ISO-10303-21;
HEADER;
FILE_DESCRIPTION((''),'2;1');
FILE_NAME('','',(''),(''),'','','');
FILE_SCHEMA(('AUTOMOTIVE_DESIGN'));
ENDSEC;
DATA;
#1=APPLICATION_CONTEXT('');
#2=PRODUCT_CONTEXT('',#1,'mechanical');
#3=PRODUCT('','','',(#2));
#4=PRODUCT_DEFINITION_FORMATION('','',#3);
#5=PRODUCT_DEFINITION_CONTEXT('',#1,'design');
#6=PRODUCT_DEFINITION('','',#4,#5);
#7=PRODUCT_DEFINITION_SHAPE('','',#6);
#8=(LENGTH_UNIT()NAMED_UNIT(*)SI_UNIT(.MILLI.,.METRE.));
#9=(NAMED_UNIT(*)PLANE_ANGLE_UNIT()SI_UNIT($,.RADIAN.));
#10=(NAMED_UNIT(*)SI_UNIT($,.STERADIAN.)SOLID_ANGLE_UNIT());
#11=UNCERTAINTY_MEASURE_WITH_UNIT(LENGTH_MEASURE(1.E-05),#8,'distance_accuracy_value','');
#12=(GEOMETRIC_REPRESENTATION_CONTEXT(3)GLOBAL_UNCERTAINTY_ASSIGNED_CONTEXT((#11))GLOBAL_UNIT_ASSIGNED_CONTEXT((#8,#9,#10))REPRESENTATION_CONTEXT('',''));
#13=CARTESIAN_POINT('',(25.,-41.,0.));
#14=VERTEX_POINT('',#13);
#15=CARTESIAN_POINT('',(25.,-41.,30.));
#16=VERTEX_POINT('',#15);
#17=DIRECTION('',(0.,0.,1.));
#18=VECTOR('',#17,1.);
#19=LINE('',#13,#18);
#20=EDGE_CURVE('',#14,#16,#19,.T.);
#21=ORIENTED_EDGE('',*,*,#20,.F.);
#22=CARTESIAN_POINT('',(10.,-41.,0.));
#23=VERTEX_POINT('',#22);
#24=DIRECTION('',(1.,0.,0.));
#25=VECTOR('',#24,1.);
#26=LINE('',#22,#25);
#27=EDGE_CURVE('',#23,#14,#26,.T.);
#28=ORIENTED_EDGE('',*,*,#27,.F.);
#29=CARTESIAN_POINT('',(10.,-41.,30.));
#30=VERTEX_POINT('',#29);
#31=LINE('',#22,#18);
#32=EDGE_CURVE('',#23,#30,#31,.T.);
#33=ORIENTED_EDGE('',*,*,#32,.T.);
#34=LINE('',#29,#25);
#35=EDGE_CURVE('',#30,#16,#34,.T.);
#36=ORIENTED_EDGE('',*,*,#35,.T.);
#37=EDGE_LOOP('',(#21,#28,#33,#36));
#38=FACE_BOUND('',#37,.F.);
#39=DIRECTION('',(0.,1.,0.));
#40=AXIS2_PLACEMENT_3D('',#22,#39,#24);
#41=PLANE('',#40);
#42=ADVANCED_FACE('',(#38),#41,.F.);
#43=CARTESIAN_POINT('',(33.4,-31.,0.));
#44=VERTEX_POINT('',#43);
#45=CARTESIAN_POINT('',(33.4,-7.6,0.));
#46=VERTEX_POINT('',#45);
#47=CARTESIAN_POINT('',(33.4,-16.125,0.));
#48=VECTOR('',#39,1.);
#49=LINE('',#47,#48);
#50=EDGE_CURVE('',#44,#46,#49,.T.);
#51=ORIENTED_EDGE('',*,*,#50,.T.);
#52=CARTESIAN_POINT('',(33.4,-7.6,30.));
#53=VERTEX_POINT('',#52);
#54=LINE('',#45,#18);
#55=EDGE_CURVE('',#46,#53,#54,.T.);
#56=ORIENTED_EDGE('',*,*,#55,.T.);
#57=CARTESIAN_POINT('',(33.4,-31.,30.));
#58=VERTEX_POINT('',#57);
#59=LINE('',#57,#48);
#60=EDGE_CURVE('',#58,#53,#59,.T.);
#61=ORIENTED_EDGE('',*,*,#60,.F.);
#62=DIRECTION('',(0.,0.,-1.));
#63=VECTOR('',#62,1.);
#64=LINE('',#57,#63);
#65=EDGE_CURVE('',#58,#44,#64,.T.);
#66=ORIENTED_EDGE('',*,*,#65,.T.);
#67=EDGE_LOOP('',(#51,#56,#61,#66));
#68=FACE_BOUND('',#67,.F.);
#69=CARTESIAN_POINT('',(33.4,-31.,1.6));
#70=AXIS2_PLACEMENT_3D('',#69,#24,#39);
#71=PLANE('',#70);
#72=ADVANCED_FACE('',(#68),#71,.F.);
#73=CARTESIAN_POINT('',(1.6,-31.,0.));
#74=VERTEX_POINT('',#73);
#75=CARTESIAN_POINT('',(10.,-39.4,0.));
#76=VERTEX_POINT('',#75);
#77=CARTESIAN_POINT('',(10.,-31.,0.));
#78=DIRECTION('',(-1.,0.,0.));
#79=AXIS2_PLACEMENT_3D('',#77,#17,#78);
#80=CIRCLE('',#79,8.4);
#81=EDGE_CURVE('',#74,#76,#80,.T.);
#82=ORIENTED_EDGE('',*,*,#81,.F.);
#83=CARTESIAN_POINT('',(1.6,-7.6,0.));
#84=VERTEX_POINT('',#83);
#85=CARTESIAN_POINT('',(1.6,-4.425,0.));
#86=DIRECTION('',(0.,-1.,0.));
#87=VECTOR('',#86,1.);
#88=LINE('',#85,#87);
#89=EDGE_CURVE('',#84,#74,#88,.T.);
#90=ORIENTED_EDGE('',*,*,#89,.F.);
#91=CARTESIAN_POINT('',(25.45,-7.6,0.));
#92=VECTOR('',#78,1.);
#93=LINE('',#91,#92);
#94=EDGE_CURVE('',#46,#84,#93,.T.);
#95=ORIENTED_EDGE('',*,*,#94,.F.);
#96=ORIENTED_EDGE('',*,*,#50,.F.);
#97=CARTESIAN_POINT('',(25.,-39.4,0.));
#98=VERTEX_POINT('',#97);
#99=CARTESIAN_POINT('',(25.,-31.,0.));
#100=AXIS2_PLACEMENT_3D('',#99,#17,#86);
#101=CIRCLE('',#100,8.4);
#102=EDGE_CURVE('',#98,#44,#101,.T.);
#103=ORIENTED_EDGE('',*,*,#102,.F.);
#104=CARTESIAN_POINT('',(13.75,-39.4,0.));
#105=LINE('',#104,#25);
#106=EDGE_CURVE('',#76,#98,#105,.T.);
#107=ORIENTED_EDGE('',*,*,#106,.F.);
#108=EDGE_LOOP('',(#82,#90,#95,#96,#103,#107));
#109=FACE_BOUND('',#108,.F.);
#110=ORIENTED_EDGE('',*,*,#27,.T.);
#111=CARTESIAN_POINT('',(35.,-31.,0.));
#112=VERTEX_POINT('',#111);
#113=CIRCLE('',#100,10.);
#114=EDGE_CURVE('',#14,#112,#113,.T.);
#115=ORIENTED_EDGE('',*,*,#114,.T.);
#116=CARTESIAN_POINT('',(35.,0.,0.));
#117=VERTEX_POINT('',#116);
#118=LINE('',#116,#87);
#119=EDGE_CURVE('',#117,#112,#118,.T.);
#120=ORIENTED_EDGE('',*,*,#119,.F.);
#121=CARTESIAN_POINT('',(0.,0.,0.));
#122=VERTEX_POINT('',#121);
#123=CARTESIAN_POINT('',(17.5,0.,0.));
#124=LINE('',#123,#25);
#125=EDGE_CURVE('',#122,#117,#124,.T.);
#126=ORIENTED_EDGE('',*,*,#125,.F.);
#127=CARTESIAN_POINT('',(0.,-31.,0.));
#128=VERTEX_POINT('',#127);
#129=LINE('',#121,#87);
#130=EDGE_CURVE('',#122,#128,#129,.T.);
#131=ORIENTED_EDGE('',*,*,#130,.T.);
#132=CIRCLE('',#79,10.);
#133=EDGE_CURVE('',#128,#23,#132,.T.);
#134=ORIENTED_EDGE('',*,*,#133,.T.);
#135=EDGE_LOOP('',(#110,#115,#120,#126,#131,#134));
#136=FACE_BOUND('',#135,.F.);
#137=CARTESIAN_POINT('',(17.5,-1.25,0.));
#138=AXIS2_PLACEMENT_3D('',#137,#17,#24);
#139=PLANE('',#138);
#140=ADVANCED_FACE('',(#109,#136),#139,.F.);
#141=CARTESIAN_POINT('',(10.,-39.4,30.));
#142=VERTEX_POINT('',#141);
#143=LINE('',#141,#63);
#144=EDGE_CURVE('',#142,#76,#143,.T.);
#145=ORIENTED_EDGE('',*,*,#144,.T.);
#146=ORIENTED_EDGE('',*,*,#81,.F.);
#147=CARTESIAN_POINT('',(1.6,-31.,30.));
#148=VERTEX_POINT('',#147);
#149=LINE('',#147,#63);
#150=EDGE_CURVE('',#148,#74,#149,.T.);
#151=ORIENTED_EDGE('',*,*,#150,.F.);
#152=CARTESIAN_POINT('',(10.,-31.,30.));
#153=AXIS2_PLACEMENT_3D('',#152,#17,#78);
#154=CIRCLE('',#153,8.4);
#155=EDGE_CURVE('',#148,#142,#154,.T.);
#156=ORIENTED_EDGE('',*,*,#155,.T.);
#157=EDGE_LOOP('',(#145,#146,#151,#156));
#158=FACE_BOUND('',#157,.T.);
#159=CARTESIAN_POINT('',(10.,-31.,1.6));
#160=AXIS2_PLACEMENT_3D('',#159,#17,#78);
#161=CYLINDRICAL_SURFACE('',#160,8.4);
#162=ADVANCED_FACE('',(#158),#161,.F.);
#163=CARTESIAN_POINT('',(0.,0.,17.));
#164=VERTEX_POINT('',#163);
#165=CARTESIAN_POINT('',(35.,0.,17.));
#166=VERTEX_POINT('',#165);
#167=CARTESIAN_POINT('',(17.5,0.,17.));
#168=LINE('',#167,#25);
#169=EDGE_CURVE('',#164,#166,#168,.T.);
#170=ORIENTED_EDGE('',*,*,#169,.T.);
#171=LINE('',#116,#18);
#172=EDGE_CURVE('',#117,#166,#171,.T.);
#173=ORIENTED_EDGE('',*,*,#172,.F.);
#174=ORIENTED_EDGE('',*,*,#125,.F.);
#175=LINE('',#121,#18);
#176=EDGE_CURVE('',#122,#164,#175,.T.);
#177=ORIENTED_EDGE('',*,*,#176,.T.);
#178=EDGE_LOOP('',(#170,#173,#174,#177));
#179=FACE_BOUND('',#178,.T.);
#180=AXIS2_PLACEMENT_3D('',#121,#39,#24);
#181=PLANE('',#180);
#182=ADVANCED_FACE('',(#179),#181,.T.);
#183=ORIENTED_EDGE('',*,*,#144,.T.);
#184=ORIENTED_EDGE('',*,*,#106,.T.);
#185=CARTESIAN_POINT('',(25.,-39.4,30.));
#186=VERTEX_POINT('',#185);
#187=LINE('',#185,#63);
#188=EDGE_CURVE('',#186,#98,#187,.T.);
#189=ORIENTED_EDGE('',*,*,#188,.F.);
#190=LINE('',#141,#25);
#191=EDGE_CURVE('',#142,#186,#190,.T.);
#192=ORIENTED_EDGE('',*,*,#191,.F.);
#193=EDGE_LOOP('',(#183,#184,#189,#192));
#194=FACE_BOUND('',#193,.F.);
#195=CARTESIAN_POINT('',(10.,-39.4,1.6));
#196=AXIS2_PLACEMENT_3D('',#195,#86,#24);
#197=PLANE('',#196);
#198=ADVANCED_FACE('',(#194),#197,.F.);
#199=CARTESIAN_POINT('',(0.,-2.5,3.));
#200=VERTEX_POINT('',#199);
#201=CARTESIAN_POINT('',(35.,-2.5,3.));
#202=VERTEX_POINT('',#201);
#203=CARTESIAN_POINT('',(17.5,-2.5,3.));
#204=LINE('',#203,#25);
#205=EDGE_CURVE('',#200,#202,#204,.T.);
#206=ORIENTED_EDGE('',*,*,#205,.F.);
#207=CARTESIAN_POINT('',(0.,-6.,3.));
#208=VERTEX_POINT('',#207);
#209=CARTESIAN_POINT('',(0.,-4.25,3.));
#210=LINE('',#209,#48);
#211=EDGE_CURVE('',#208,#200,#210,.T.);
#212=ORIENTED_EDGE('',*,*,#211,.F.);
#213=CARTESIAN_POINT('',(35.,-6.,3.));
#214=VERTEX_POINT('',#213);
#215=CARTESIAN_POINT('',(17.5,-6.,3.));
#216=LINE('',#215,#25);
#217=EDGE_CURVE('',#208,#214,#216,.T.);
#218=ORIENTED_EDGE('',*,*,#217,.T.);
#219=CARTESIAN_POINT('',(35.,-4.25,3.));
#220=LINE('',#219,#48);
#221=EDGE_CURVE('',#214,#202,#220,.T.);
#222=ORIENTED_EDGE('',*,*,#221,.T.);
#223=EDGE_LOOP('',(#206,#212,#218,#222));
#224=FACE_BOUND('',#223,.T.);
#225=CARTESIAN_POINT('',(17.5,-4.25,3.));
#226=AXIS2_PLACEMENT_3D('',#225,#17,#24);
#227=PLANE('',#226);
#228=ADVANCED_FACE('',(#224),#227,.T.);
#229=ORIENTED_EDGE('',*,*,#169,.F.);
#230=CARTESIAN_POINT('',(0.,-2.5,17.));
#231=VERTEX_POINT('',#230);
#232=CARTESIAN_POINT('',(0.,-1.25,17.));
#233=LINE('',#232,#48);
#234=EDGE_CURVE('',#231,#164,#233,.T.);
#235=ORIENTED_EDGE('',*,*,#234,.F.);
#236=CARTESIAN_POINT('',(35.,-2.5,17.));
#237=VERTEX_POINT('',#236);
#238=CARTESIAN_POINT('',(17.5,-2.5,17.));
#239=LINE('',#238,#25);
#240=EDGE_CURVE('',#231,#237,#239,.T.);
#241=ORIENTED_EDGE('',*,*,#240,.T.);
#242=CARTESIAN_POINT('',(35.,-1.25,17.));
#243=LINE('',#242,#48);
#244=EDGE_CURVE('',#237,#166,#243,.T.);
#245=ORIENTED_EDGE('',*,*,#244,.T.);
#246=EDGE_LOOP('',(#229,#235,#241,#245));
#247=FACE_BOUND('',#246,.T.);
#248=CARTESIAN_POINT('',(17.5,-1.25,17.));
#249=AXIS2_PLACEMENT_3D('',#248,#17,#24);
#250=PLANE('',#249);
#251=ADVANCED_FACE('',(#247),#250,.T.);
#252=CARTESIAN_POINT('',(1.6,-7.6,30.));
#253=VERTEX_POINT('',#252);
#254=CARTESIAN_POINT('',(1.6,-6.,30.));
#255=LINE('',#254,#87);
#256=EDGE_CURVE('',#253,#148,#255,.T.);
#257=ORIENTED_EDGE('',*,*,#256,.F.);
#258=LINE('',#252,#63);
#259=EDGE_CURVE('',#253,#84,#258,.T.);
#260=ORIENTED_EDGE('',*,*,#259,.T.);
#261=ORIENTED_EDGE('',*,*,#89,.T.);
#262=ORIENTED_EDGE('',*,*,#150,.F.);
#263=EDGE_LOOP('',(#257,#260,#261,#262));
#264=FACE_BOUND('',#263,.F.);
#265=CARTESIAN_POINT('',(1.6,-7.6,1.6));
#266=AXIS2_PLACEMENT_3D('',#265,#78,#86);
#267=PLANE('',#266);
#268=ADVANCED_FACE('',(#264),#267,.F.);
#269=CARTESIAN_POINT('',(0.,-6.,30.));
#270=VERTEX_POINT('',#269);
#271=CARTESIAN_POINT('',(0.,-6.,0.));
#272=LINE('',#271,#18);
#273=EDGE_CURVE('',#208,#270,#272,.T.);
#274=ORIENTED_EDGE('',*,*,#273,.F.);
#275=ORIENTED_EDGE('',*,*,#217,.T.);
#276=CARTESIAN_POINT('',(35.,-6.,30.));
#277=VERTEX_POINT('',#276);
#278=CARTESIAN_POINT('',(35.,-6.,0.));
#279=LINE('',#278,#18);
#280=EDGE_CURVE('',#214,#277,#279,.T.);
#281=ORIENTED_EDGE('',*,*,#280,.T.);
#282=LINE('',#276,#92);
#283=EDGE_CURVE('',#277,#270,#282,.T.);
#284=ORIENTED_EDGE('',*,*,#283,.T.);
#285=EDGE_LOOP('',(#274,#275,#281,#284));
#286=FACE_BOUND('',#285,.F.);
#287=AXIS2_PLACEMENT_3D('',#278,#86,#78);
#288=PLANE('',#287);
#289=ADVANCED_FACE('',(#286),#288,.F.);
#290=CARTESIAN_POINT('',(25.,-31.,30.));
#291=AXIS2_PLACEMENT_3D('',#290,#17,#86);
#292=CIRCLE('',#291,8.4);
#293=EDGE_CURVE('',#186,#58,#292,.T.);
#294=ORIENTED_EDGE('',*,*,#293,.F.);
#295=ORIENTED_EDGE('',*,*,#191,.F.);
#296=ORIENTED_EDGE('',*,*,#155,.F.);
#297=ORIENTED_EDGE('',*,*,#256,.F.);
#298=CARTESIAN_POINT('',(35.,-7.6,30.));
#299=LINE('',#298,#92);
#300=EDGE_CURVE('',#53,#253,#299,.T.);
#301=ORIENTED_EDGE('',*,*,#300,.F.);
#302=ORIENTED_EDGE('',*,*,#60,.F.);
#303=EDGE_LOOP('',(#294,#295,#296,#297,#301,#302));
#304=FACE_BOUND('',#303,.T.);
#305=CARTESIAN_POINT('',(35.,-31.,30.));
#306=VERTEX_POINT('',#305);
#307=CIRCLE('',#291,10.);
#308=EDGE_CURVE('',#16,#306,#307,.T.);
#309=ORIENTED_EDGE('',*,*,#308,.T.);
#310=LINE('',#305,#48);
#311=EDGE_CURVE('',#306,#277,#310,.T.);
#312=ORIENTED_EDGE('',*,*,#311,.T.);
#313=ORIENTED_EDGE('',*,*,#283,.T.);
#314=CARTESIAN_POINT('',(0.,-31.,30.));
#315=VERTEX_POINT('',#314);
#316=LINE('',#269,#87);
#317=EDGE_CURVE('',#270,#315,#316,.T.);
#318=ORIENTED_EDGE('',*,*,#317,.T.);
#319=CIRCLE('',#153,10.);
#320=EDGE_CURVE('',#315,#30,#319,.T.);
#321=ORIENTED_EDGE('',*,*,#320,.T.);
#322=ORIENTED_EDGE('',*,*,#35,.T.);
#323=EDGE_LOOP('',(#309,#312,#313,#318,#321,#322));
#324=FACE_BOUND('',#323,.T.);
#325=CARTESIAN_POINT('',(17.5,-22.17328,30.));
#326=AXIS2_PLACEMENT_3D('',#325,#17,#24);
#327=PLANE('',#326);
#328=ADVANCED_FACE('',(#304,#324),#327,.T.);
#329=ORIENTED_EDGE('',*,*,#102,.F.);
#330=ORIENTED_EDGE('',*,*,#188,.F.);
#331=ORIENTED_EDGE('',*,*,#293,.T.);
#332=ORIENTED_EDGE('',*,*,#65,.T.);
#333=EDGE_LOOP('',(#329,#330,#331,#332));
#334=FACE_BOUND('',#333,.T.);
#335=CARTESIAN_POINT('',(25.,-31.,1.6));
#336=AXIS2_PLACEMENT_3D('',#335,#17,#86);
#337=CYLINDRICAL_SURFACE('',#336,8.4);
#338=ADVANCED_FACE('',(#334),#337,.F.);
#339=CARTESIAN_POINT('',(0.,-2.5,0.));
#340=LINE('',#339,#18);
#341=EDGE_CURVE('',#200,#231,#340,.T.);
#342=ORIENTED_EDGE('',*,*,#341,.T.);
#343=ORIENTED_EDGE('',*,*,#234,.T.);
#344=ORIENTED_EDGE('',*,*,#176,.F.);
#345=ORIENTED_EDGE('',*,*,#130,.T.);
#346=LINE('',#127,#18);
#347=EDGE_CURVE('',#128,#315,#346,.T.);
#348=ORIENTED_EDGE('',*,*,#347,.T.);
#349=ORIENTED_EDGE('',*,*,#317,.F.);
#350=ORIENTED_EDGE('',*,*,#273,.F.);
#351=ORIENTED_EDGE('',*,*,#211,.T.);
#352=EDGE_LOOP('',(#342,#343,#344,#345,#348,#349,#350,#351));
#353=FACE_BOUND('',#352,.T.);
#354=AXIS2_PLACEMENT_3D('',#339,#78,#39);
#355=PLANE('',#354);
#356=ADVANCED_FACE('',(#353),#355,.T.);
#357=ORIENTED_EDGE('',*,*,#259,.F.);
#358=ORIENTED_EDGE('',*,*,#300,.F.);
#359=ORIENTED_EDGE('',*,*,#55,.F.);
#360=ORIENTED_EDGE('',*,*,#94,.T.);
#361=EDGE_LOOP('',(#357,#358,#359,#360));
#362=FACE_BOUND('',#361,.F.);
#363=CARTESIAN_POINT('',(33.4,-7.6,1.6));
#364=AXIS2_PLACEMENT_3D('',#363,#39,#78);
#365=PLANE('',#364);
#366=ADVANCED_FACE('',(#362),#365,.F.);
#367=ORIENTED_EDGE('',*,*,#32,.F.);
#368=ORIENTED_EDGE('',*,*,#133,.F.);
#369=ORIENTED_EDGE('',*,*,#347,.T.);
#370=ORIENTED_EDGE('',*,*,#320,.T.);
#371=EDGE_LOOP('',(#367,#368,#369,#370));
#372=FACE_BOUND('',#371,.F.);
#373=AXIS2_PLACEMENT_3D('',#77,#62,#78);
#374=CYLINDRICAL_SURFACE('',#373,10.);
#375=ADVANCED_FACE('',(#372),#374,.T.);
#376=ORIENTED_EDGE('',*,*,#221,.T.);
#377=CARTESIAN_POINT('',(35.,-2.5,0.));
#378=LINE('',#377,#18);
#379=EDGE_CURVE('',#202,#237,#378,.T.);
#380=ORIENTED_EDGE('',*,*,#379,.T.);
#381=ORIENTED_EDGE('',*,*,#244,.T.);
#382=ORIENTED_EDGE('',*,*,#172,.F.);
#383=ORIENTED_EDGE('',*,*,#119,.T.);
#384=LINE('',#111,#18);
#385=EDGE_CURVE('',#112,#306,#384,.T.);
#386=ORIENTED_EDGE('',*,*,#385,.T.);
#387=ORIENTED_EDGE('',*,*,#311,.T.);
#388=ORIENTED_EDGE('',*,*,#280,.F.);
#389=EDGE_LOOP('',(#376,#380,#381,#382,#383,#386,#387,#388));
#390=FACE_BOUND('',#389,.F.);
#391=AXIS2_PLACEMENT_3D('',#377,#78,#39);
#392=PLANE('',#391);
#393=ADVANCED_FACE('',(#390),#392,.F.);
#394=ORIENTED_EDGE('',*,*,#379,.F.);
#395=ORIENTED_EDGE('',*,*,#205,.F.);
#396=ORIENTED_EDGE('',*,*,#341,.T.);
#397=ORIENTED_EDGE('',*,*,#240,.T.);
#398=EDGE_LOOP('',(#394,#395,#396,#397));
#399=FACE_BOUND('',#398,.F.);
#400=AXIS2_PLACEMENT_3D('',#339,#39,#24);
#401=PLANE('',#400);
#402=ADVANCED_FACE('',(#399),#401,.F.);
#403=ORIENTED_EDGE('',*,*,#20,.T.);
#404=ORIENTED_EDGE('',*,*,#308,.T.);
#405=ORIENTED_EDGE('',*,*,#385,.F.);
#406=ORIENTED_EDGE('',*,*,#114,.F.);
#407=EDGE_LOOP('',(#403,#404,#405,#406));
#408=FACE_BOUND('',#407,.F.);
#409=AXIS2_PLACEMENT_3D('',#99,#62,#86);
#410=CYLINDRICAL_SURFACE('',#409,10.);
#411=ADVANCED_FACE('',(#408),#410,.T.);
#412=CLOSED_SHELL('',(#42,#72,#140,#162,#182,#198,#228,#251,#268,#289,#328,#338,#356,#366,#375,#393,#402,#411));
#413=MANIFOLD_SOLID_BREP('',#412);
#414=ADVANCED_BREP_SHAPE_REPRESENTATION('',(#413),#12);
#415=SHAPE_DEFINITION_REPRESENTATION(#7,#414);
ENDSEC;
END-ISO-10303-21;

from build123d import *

# Parameters (mm, degrees)
F1_DEPTH = 30
F2_T     = -1.6
F0_W     = 35
F0_H     = 3.5
F3_DEPTH = 3
F0_H_2   = 2.5
F4_DEPTH = 17
F5_DEPTH = 5


with BuildPart() as f1:
    # F0 (on Top) → F1 (new body)
    with BuildSketch(Plane.XY):
        with BuildLine():
            Line((35, -6), (0, -6))
            Line((0, -6), (0, -31))
            ThreePointArc((0, -31), (2.9289321881, -38.0710678119), (10, -41))
            Line((10, -41), (25, -41))
            ThreePointArc((25, -41), (32.0710678119, -38.0710678119), (35, -31))
            Line((35, -31), (35, -6))
        make_face()
    extrude(amount=F1_DEPTH)

    # F2
    f2_openings = [f1.faces().sort_by_distance(p)[0] for p in [
        (17.5, -22.945692, 30),
    ]]
    offset(amount=F2_T, openings=f2_openings)

    # F0 (on Top) → F3 (join)
    with BuildSketch(Plane.XY):
        with Locations((17.5, -4.25)):
            Rectangle(F0_W, F0_H)
    extrude(amount=F3_DEPTH)

    # F0 (on Top) → F4 (join)
    with BuildSketch(Plane.XY):
        with Locations((17.5, -1.25)):
            Rectangle(F0_W, F0_H_2)
    extrude(amount=F4_DEPTH)

    # F5 (cut): a face of the model
    f5_faces = [f1.faces().sort_by_distance(p)[0] for p in [
        (17.5, -23.0670520916, 1.6),
    ]]
    extrude(f5_faces, amount=-F5_DEPTH, mode=Mode.SUBTRACT)


solid = f1.part
